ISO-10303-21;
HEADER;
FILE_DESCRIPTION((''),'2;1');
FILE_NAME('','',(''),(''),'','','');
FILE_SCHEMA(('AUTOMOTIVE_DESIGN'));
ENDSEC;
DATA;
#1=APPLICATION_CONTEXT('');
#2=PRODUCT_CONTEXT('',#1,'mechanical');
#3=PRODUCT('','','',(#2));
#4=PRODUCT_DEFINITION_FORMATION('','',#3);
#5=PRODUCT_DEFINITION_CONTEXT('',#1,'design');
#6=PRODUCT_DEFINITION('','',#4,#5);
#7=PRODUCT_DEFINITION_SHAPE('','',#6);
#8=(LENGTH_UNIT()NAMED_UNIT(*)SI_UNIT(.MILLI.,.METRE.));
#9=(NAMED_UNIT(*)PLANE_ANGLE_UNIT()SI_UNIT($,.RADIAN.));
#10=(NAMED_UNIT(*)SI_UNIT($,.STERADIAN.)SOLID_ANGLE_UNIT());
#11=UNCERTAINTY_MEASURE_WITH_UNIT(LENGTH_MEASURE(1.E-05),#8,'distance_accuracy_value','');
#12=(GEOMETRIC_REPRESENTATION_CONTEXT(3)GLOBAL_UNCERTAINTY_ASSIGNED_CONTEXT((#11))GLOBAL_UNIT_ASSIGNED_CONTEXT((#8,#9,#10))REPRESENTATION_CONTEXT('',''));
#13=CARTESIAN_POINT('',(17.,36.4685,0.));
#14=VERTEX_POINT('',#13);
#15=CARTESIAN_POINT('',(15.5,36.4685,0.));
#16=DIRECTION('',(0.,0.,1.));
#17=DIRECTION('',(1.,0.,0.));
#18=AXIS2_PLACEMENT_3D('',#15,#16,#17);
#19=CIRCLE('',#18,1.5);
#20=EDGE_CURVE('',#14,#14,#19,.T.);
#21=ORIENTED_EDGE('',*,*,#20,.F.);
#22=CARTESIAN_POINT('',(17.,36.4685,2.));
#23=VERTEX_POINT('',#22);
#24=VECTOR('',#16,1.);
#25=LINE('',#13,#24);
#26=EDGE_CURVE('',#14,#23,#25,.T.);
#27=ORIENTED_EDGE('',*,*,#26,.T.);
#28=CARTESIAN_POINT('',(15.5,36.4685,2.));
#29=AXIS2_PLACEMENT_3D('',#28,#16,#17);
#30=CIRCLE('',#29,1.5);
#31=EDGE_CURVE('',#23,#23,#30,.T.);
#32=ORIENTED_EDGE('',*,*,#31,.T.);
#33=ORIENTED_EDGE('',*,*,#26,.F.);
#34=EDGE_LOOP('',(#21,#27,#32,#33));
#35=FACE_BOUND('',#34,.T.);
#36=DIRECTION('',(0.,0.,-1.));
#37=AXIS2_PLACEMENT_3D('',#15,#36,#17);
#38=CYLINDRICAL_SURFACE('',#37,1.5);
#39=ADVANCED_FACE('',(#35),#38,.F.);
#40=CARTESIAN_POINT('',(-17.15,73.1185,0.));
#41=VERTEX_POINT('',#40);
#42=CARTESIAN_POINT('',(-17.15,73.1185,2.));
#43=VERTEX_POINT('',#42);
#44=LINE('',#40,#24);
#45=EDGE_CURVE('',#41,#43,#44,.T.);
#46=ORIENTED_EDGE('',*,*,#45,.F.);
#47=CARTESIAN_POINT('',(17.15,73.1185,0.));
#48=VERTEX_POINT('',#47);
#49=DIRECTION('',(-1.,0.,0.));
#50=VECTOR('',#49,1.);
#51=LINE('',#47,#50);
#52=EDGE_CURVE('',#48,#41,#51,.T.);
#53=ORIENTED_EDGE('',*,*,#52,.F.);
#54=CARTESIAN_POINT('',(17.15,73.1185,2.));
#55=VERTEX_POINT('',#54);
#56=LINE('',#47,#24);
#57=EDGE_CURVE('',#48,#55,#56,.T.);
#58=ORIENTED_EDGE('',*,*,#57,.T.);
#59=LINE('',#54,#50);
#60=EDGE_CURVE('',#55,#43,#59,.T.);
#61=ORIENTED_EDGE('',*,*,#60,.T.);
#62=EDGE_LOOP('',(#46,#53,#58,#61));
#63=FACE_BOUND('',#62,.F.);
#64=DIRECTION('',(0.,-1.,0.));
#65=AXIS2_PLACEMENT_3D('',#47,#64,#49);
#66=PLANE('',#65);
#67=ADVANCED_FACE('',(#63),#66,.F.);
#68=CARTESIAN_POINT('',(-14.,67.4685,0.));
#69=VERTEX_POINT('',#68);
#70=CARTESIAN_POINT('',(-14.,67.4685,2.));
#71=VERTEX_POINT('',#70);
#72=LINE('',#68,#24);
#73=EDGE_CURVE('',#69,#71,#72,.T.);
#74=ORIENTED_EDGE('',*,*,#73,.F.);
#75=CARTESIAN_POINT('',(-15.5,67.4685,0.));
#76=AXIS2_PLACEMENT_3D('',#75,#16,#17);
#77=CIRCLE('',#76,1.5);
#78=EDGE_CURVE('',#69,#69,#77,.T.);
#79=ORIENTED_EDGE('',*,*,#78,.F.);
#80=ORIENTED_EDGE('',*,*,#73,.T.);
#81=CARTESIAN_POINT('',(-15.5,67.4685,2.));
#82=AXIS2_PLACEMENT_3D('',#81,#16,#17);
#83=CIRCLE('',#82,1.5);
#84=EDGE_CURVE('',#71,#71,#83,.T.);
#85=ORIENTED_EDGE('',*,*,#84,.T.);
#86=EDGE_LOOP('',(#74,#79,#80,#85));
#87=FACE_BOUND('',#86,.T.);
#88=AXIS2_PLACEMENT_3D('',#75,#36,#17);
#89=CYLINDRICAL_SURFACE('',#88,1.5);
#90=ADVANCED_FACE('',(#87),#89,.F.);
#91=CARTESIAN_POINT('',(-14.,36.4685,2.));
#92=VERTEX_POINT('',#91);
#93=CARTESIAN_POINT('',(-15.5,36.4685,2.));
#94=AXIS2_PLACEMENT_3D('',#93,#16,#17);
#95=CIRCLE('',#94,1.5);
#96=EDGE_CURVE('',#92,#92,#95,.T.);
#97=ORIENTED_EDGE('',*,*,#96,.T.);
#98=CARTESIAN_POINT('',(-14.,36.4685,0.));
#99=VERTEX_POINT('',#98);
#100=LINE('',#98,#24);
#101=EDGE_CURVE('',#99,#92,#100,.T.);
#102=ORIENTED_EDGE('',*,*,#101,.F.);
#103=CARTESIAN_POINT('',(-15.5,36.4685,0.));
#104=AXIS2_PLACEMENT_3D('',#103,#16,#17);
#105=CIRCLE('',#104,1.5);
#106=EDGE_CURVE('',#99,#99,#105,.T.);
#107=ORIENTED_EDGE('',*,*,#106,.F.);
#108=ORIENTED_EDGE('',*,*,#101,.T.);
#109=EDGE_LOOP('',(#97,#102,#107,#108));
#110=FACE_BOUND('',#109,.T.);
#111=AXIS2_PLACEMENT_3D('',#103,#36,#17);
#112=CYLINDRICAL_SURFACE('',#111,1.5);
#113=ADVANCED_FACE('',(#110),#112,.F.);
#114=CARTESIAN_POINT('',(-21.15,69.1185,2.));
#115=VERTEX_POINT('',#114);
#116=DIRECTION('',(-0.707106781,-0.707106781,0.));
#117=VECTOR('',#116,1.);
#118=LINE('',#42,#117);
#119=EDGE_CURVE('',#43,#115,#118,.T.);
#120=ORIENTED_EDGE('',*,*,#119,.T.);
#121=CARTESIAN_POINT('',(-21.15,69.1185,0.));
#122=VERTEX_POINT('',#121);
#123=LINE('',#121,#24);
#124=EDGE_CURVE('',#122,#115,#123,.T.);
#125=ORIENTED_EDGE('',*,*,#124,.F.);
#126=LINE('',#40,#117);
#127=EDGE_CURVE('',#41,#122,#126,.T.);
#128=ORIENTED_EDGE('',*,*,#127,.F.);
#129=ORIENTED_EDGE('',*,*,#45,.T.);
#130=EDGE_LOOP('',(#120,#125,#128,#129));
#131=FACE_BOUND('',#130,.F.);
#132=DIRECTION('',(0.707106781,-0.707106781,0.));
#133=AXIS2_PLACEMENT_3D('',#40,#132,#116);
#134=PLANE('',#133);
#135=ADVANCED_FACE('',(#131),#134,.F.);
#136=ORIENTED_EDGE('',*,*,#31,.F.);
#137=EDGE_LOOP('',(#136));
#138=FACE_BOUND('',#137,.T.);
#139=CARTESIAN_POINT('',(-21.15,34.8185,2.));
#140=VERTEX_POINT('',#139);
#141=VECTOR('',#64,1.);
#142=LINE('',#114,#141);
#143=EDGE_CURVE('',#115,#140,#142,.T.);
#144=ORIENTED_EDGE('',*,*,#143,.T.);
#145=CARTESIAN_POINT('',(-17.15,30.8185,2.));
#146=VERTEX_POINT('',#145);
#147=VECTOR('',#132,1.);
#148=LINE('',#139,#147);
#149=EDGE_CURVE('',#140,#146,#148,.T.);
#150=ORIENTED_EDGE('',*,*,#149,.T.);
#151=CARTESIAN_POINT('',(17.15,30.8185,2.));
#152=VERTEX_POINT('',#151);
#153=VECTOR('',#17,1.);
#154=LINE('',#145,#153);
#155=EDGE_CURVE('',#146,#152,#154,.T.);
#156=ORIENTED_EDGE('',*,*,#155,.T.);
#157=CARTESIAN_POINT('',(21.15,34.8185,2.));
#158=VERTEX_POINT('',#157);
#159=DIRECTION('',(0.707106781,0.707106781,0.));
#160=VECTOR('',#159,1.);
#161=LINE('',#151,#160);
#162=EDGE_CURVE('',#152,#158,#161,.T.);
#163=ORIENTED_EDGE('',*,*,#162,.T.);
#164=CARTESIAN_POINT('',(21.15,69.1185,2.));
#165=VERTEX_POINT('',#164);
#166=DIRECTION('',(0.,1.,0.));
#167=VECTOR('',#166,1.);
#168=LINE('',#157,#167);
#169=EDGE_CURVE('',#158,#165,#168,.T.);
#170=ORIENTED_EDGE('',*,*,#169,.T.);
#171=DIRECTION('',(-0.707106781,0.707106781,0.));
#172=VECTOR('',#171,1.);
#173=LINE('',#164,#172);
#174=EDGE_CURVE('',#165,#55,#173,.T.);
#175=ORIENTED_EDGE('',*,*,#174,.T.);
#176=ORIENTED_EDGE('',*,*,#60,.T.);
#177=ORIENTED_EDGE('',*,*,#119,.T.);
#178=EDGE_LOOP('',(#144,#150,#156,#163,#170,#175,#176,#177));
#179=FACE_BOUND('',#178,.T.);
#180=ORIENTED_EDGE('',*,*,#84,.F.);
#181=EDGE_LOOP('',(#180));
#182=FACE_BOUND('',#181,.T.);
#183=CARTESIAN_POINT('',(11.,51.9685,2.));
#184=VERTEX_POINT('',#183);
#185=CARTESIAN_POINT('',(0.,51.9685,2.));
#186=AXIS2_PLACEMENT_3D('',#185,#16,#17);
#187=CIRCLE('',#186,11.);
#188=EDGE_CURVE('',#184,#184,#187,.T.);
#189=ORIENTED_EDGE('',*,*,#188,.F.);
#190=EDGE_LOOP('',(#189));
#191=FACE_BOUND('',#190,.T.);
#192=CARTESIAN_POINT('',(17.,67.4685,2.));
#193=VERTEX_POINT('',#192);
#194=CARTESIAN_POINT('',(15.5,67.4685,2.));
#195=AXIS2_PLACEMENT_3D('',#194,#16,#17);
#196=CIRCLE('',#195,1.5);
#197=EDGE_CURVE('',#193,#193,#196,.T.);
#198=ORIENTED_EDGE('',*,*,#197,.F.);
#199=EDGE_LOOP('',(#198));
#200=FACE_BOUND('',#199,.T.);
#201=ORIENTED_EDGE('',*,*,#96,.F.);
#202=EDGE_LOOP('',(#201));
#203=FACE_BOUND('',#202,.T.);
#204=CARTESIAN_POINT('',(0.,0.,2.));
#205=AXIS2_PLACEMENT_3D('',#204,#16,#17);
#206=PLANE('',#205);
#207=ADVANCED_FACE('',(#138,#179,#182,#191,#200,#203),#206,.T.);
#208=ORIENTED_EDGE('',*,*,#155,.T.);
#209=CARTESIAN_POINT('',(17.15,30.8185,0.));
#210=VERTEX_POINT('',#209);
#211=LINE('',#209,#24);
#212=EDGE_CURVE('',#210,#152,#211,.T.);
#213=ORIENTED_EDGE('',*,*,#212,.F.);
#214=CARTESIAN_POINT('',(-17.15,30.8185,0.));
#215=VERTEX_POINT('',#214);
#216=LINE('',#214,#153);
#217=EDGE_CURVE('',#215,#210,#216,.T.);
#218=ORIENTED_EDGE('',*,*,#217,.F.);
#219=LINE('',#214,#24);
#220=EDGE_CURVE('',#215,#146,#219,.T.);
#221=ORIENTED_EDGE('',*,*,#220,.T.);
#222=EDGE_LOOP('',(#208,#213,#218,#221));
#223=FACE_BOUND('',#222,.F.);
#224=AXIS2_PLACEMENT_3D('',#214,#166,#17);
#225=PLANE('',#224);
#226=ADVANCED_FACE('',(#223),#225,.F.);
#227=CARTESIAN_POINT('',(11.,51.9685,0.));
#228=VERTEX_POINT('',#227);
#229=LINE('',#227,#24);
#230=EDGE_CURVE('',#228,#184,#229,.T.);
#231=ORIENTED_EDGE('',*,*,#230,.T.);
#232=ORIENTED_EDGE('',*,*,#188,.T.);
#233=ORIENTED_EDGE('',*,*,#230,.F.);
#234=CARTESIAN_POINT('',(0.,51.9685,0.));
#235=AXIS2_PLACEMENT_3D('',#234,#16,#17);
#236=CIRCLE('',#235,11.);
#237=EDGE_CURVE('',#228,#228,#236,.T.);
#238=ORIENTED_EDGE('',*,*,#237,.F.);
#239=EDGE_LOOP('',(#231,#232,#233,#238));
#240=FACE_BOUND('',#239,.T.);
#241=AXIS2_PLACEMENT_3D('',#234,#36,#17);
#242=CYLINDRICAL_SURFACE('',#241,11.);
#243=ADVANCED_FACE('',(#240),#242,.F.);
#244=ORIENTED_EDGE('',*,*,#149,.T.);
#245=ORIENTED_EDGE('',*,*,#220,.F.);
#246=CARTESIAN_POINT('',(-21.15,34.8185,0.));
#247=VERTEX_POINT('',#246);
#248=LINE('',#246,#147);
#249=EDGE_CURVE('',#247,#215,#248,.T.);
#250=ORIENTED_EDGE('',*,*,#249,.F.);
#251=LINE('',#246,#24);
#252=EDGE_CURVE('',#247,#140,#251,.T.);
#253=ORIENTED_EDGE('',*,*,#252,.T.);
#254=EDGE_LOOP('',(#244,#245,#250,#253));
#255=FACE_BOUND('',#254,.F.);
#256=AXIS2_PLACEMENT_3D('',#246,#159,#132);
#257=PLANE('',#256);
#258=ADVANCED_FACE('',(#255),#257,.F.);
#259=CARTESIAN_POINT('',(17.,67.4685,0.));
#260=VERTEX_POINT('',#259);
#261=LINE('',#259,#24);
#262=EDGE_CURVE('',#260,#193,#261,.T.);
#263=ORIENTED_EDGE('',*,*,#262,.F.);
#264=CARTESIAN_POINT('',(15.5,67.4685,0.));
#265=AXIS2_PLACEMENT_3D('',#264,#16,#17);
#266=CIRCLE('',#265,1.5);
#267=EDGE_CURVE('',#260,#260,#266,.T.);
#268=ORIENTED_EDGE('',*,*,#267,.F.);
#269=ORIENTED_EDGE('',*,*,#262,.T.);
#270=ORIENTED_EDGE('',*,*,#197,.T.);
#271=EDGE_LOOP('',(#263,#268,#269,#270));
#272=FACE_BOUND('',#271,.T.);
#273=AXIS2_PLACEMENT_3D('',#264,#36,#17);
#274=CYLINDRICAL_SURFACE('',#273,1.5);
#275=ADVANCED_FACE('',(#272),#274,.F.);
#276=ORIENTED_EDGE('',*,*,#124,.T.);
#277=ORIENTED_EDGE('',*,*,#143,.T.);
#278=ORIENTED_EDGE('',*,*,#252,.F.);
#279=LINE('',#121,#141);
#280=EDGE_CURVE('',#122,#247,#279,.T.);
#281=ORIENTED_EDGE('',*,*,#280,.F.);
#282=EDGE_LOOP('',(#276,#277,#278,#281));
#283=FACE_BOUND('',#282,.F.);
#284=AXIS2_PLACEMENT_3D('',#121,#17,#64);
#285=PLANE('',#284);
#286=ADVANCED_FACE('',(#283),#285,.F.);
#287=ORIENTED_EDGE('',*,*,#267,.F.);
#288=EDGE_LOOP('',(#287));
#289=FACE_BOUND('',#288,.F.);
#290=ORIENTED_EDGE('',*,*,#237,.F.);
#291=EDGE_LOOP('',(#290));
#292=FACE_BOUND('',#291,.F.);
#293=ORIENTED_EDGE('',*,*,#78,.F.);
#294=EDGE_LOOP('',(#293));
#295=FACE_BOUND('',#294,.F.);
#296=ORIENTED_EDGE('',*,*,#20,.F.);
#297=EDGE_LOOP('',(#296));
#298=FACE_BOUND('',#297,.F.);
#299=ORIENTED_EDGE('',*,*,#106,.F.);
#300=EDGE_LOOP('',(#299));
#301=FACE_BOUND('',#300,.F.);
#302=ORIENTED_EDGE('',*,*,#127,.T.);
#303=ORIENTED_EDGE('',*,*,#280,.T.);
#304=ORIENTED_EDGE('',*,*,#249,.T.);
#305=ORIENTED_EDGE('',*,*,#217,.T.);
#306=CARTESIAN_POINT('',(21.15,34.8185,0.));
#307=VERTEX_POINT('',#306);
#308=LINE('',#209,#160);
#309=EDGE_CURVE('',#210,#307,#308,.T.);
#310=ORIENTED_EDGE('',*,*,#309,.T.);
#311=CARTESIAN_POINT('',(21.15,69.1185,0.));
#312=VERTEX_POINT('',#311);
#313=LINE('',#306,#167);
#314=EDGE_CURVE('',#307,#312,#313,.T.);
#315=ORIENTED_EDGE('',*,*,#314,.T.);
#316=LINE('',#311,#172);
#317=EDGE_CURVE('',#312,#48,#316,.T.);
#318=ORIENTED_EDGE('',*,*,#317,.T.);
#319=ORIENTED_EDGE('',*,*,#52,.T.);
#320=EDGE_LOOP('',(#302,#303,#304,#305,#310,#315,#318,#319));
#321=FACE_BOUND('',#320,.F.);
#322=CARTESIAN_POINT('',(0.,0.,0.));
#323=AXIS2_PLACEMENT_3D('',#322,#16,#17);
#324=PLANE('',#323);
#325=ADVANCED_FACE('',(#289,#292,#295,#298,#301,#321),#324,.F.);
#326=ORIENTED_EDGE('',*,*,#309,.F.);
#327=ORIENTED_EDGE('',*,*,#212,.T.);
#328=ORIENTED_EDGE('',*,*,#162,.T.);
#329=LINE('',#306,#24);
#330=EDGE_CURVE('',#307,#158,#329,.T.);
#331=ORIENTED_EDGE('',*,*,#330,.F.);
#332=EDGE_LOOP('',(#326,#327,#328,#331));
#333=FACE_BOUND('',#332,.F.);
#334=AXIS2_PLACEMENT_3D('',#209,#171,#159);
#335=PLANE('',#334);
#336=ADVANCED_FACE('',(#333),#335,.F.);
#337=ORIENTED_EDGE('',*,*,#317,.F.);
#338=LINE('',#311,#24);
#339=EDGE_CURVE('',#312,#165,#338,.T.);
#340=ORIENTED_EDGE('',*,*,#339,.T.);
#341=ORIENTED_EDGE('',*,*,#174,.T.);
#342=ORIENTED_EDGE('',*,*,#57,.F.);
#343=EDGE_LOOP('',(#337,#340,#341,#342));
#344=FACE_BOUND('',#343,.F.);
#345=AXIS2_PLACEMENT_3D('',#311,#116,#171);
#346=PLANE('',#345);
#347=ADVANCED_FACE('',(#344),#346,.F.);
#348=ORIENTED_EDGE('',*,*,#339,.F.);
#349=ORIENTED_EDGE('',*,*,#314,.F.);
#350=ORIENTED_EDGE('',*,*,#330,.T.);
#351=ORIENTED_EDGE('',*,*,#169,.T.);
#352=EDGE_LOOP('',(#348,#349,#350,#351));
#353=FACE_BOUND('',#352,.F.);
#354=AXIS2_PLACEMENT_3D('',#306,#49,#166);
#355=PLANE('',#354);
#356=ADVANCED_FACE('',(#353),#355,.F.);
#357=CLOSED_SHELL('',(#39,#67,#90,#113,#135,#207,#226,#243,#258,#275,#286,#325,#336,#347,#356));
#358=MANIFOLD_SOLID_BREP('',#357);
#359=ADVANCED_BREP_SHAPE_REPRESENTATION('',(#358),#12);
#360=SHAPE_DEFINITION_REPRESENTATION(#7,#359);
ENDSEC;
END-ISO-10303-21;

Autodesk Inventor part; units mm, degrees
ref_plane "YZ Plane" through (0, 0, 0) normal (1, 0, 0) x (0, 1, 0)
ref_plane "XZ Plane" through (0, 0, 0) normal (0, 1, 0) x (-1, 0, 0)
ref_plane "XY Plane" through (0, 0, 0) normal (0, 0, 1) x (1, 0, 0)
sketch "Sketch1" plane through (0, 0, 0) normal (0, 0, 1) x (1, 0, 0)
  circle A0 centre (0, 51.9685) radius 11 projected
  line L0 (21.15, 34.8185) -> (21.15, 69.1185) projected
  line L1 (21.15, 69.1185) -> (17.15, 73.1185) projected
  line L2 (17.15, 73.1185) -> (-17.15, 73.1185) projected
  line L3 (-17.15, 73.1185) -> (-21.15, 69.1185) projected
  line L4 (-21.15, 69.1185) -> (-21.15, 34.8185) projected
  line L5 (-21.15, 34.8185) -> (-17.15, 30.8185) projected
  line L6 (-17.15, 30.8185) -> (17.15, 30.8185) projected
  line L7 (17.15, 30.8185) -> (21.15, 34.8185) projected
  circle A1 centre (-15.5, 36.4685) radius 1.5 projected
  circle A2 centre (15.5, 36.4685) radius 1.5 projected
  circle A3 centre (15.5, 67.4685) radius 1.5 projected
  circle A4 centre (-15.5, 67.4685) radius 1.5 projected
  point P0 (0, 0)
extrude "Extrusion1" add sketch "Sketch1" along normal blind 2
properties part number "Stepper_spacer"
